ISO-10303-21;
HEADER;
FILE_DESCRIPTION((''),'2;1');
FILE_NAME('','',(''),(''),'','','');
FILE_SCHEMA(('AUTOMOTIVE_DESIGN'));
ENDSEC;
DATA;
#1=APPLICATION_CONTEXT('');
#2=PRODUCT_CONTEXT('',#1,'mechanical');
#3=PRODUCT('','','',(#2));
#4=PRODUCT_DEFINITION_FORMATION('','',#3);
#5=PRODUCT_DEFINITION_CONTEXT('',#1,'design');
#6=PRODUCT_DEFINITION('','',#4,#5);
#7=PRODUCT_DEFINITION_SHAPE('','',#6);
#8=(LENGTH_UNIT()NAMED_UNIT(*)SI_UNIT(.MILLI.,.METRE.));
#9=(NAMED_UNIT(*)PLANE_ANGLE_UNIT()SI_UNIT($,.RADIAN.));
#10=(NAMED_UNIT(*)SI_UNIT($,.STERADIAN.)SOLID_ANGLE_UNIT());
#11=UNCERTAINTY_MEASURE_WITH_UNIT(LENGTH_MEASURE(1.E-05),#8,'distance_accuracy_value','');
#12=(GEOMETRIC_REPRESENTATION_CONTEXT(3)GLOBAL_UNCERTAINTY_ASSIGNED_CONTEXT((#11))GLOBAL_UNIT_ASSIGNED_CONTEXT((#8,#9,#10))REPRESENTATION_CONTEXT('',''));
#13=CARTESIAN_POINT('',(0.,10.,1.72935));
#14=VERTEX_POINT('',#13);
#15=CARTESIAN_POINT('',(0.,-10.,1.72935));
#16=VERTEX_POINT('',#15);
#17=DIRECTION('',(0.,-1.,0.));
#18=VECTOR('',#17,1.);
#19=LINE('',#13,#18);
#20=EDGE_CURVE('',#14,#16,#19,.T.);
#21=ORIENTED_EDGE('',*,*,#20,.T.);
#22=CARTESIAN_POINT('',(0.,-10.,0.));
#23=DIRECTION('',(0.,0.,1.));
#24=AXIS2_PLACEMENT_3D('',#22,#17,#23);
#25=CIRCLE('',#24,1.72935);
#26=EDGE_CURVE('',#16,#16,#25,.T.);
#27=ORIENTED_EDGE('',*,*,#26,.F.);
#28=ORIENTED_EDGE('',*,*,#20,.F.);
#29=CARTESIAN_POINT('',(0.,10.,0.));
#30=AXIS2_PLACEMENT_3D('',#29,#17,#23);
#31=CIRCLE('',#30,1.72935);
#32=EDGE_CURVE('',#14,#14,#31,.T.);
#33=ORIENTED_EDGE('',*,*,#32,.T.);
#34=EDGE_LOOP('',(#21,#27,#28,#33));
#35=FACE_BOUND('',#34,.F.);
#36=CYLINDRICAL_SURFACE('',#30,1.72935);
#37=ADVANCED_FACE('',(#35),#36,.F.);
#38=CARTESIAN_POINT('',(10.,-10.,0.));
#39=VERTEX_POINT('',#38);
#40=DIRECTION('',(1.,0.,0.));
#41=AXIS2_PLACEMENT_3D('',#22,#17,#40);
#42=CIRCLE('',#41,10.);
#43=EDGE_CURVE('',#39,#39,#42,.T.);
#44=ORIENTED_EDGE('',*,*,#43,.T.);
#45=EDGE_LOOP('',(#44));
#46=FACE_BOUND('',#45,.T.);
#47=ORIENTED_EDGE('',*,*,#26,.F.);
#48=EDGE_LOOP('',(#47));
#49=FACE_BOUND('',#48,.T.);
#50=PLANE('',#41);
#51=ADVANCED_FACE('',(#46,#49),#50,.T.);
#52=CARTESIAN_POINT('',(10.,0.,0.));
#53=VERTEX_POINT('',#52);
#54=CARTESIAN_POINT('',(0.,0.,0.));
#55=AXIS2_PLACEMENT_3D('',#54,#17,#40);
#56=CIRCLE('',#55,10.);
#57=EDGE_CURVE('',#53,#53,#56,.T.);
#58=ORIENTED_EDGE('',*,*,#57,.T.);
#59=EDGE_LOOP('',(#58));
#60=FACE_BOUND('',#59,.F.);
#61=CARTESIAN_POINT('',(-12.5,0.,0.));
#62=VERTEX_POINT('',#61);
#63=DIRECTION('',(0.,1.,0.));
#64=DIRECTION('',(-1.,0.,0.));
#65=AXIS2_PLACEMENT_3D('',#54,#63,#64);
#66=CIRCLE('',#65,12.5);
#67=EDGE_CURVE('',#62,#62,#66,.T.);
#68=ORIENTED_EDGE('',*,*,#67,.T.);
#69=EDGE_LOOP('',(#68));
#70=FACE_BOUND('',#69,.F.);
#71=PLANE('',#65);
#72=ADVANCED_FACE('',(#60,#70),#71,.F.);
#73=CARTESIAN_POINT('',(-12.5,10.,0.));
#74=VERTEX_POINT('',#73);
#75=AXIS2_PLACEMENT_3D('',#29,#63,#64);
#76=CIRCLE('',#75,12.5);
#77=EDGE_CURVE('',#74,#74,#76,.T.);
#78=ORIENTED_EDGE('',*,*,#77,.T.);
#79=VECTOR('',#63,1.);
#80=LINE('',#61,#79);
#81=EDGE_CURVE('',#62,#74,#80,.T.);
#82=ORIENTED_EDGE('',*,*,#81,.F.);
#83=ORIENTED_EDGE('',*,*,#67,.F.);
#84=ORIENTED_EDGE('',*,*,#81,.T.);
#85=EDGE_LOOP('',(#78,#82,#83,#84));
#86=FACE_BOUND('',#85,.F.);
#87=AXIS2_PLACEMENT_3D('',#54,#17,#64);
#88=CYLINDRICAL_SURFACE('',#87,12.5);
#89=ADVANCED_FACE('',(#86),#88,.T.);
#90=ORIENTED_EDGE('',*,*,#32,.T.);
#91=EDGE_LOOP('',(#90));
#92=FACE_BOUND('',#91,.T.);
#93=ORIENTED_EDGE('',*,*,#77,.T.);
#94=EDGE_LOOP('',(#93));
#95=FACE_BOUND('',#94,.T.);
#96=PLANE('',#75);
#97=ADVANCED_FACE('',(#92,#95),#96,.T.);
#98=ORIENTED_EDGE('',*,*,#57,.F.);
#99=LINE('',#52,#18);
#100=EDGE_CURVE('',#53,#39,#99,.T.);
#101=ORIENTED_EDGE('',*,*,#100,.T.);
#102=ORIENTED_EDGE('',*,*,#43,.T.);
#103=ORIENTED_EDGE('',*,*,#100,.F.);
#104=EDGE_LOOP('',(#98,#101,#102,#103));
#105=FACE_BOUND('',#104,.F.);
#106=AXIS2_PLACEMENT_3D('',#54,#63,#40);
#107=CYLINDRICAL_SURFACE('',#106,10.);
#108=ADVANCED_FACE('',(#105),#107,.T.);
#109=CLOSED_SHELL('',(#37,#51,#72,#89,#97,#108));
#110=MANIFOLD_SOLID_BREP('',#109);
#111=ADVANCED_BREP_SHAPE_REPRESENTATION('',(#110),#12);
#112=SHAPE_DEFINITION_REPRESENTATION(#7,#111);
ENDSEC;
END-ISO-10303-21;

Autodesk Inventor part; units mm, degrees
ref_plane "YZ Plane" through (0, 0, 0) normal (1, 0, 0) x (0, 1, 0)
ref_plane "XZ Plane" through (0, 0, 0) normal (0, 1, 0) x (-1, 0, 0)
ref_plane "XY Plane" through (0, 0, 0) normal (0, 0, 1) x (1, 0, 0)
sketch "Sketch4" plane through (0, 0, 0) normal (0, 1, 0) x (-1, 0, 0)
  circle A0 centre (0, 0) radius 12.5
  dimension "d19" = 25
extrude "Extrusion2" add sketch "Sketch4" along normal blind 10
sketch "Sketch5" plane through (0, 0, 0) normal (0, -1, 0) x (1, 0, 0)
  circle A0 centre (0, 0) radius 10
  dimension "d22" = 20
extrude "Extrusion3" add sketch "Sketch5" along normal blind 10
sketch "Sketch6" plane through (0, 10, 0) normal (0, 1, 0) x (1, 0, 0)
  point P0 (0, 0)
  point P1 (0, 0)
hole "Hole2" at (0, 10, 0) direction (0, -1, 0) diameter 3.4587 end through all thread size "M4x0.5" class "6H" standard "ISO Metric profile"
equation "\"d30\" = Thickness"
equation "\"BendRadius\" = Thickness"
equation "\"BendReliefWidth\" = Thickness"
equation "\"BendReliefDepth\" = 0.5 * Thickness"
equation "\"CornerReliefSize\" = 4 * Thickness"
equation "\"MinimumRemnant\" = 2 * Thickness"
equation "\"TransitionRadius\" = BendRadius"
equation "\"JacobiRadiusSize\" = BendRadius"
equation "\"GapSize\" = Thickness"
equation "\"Thickness\" = 0.5"
properties part number "Output link probe hub"
